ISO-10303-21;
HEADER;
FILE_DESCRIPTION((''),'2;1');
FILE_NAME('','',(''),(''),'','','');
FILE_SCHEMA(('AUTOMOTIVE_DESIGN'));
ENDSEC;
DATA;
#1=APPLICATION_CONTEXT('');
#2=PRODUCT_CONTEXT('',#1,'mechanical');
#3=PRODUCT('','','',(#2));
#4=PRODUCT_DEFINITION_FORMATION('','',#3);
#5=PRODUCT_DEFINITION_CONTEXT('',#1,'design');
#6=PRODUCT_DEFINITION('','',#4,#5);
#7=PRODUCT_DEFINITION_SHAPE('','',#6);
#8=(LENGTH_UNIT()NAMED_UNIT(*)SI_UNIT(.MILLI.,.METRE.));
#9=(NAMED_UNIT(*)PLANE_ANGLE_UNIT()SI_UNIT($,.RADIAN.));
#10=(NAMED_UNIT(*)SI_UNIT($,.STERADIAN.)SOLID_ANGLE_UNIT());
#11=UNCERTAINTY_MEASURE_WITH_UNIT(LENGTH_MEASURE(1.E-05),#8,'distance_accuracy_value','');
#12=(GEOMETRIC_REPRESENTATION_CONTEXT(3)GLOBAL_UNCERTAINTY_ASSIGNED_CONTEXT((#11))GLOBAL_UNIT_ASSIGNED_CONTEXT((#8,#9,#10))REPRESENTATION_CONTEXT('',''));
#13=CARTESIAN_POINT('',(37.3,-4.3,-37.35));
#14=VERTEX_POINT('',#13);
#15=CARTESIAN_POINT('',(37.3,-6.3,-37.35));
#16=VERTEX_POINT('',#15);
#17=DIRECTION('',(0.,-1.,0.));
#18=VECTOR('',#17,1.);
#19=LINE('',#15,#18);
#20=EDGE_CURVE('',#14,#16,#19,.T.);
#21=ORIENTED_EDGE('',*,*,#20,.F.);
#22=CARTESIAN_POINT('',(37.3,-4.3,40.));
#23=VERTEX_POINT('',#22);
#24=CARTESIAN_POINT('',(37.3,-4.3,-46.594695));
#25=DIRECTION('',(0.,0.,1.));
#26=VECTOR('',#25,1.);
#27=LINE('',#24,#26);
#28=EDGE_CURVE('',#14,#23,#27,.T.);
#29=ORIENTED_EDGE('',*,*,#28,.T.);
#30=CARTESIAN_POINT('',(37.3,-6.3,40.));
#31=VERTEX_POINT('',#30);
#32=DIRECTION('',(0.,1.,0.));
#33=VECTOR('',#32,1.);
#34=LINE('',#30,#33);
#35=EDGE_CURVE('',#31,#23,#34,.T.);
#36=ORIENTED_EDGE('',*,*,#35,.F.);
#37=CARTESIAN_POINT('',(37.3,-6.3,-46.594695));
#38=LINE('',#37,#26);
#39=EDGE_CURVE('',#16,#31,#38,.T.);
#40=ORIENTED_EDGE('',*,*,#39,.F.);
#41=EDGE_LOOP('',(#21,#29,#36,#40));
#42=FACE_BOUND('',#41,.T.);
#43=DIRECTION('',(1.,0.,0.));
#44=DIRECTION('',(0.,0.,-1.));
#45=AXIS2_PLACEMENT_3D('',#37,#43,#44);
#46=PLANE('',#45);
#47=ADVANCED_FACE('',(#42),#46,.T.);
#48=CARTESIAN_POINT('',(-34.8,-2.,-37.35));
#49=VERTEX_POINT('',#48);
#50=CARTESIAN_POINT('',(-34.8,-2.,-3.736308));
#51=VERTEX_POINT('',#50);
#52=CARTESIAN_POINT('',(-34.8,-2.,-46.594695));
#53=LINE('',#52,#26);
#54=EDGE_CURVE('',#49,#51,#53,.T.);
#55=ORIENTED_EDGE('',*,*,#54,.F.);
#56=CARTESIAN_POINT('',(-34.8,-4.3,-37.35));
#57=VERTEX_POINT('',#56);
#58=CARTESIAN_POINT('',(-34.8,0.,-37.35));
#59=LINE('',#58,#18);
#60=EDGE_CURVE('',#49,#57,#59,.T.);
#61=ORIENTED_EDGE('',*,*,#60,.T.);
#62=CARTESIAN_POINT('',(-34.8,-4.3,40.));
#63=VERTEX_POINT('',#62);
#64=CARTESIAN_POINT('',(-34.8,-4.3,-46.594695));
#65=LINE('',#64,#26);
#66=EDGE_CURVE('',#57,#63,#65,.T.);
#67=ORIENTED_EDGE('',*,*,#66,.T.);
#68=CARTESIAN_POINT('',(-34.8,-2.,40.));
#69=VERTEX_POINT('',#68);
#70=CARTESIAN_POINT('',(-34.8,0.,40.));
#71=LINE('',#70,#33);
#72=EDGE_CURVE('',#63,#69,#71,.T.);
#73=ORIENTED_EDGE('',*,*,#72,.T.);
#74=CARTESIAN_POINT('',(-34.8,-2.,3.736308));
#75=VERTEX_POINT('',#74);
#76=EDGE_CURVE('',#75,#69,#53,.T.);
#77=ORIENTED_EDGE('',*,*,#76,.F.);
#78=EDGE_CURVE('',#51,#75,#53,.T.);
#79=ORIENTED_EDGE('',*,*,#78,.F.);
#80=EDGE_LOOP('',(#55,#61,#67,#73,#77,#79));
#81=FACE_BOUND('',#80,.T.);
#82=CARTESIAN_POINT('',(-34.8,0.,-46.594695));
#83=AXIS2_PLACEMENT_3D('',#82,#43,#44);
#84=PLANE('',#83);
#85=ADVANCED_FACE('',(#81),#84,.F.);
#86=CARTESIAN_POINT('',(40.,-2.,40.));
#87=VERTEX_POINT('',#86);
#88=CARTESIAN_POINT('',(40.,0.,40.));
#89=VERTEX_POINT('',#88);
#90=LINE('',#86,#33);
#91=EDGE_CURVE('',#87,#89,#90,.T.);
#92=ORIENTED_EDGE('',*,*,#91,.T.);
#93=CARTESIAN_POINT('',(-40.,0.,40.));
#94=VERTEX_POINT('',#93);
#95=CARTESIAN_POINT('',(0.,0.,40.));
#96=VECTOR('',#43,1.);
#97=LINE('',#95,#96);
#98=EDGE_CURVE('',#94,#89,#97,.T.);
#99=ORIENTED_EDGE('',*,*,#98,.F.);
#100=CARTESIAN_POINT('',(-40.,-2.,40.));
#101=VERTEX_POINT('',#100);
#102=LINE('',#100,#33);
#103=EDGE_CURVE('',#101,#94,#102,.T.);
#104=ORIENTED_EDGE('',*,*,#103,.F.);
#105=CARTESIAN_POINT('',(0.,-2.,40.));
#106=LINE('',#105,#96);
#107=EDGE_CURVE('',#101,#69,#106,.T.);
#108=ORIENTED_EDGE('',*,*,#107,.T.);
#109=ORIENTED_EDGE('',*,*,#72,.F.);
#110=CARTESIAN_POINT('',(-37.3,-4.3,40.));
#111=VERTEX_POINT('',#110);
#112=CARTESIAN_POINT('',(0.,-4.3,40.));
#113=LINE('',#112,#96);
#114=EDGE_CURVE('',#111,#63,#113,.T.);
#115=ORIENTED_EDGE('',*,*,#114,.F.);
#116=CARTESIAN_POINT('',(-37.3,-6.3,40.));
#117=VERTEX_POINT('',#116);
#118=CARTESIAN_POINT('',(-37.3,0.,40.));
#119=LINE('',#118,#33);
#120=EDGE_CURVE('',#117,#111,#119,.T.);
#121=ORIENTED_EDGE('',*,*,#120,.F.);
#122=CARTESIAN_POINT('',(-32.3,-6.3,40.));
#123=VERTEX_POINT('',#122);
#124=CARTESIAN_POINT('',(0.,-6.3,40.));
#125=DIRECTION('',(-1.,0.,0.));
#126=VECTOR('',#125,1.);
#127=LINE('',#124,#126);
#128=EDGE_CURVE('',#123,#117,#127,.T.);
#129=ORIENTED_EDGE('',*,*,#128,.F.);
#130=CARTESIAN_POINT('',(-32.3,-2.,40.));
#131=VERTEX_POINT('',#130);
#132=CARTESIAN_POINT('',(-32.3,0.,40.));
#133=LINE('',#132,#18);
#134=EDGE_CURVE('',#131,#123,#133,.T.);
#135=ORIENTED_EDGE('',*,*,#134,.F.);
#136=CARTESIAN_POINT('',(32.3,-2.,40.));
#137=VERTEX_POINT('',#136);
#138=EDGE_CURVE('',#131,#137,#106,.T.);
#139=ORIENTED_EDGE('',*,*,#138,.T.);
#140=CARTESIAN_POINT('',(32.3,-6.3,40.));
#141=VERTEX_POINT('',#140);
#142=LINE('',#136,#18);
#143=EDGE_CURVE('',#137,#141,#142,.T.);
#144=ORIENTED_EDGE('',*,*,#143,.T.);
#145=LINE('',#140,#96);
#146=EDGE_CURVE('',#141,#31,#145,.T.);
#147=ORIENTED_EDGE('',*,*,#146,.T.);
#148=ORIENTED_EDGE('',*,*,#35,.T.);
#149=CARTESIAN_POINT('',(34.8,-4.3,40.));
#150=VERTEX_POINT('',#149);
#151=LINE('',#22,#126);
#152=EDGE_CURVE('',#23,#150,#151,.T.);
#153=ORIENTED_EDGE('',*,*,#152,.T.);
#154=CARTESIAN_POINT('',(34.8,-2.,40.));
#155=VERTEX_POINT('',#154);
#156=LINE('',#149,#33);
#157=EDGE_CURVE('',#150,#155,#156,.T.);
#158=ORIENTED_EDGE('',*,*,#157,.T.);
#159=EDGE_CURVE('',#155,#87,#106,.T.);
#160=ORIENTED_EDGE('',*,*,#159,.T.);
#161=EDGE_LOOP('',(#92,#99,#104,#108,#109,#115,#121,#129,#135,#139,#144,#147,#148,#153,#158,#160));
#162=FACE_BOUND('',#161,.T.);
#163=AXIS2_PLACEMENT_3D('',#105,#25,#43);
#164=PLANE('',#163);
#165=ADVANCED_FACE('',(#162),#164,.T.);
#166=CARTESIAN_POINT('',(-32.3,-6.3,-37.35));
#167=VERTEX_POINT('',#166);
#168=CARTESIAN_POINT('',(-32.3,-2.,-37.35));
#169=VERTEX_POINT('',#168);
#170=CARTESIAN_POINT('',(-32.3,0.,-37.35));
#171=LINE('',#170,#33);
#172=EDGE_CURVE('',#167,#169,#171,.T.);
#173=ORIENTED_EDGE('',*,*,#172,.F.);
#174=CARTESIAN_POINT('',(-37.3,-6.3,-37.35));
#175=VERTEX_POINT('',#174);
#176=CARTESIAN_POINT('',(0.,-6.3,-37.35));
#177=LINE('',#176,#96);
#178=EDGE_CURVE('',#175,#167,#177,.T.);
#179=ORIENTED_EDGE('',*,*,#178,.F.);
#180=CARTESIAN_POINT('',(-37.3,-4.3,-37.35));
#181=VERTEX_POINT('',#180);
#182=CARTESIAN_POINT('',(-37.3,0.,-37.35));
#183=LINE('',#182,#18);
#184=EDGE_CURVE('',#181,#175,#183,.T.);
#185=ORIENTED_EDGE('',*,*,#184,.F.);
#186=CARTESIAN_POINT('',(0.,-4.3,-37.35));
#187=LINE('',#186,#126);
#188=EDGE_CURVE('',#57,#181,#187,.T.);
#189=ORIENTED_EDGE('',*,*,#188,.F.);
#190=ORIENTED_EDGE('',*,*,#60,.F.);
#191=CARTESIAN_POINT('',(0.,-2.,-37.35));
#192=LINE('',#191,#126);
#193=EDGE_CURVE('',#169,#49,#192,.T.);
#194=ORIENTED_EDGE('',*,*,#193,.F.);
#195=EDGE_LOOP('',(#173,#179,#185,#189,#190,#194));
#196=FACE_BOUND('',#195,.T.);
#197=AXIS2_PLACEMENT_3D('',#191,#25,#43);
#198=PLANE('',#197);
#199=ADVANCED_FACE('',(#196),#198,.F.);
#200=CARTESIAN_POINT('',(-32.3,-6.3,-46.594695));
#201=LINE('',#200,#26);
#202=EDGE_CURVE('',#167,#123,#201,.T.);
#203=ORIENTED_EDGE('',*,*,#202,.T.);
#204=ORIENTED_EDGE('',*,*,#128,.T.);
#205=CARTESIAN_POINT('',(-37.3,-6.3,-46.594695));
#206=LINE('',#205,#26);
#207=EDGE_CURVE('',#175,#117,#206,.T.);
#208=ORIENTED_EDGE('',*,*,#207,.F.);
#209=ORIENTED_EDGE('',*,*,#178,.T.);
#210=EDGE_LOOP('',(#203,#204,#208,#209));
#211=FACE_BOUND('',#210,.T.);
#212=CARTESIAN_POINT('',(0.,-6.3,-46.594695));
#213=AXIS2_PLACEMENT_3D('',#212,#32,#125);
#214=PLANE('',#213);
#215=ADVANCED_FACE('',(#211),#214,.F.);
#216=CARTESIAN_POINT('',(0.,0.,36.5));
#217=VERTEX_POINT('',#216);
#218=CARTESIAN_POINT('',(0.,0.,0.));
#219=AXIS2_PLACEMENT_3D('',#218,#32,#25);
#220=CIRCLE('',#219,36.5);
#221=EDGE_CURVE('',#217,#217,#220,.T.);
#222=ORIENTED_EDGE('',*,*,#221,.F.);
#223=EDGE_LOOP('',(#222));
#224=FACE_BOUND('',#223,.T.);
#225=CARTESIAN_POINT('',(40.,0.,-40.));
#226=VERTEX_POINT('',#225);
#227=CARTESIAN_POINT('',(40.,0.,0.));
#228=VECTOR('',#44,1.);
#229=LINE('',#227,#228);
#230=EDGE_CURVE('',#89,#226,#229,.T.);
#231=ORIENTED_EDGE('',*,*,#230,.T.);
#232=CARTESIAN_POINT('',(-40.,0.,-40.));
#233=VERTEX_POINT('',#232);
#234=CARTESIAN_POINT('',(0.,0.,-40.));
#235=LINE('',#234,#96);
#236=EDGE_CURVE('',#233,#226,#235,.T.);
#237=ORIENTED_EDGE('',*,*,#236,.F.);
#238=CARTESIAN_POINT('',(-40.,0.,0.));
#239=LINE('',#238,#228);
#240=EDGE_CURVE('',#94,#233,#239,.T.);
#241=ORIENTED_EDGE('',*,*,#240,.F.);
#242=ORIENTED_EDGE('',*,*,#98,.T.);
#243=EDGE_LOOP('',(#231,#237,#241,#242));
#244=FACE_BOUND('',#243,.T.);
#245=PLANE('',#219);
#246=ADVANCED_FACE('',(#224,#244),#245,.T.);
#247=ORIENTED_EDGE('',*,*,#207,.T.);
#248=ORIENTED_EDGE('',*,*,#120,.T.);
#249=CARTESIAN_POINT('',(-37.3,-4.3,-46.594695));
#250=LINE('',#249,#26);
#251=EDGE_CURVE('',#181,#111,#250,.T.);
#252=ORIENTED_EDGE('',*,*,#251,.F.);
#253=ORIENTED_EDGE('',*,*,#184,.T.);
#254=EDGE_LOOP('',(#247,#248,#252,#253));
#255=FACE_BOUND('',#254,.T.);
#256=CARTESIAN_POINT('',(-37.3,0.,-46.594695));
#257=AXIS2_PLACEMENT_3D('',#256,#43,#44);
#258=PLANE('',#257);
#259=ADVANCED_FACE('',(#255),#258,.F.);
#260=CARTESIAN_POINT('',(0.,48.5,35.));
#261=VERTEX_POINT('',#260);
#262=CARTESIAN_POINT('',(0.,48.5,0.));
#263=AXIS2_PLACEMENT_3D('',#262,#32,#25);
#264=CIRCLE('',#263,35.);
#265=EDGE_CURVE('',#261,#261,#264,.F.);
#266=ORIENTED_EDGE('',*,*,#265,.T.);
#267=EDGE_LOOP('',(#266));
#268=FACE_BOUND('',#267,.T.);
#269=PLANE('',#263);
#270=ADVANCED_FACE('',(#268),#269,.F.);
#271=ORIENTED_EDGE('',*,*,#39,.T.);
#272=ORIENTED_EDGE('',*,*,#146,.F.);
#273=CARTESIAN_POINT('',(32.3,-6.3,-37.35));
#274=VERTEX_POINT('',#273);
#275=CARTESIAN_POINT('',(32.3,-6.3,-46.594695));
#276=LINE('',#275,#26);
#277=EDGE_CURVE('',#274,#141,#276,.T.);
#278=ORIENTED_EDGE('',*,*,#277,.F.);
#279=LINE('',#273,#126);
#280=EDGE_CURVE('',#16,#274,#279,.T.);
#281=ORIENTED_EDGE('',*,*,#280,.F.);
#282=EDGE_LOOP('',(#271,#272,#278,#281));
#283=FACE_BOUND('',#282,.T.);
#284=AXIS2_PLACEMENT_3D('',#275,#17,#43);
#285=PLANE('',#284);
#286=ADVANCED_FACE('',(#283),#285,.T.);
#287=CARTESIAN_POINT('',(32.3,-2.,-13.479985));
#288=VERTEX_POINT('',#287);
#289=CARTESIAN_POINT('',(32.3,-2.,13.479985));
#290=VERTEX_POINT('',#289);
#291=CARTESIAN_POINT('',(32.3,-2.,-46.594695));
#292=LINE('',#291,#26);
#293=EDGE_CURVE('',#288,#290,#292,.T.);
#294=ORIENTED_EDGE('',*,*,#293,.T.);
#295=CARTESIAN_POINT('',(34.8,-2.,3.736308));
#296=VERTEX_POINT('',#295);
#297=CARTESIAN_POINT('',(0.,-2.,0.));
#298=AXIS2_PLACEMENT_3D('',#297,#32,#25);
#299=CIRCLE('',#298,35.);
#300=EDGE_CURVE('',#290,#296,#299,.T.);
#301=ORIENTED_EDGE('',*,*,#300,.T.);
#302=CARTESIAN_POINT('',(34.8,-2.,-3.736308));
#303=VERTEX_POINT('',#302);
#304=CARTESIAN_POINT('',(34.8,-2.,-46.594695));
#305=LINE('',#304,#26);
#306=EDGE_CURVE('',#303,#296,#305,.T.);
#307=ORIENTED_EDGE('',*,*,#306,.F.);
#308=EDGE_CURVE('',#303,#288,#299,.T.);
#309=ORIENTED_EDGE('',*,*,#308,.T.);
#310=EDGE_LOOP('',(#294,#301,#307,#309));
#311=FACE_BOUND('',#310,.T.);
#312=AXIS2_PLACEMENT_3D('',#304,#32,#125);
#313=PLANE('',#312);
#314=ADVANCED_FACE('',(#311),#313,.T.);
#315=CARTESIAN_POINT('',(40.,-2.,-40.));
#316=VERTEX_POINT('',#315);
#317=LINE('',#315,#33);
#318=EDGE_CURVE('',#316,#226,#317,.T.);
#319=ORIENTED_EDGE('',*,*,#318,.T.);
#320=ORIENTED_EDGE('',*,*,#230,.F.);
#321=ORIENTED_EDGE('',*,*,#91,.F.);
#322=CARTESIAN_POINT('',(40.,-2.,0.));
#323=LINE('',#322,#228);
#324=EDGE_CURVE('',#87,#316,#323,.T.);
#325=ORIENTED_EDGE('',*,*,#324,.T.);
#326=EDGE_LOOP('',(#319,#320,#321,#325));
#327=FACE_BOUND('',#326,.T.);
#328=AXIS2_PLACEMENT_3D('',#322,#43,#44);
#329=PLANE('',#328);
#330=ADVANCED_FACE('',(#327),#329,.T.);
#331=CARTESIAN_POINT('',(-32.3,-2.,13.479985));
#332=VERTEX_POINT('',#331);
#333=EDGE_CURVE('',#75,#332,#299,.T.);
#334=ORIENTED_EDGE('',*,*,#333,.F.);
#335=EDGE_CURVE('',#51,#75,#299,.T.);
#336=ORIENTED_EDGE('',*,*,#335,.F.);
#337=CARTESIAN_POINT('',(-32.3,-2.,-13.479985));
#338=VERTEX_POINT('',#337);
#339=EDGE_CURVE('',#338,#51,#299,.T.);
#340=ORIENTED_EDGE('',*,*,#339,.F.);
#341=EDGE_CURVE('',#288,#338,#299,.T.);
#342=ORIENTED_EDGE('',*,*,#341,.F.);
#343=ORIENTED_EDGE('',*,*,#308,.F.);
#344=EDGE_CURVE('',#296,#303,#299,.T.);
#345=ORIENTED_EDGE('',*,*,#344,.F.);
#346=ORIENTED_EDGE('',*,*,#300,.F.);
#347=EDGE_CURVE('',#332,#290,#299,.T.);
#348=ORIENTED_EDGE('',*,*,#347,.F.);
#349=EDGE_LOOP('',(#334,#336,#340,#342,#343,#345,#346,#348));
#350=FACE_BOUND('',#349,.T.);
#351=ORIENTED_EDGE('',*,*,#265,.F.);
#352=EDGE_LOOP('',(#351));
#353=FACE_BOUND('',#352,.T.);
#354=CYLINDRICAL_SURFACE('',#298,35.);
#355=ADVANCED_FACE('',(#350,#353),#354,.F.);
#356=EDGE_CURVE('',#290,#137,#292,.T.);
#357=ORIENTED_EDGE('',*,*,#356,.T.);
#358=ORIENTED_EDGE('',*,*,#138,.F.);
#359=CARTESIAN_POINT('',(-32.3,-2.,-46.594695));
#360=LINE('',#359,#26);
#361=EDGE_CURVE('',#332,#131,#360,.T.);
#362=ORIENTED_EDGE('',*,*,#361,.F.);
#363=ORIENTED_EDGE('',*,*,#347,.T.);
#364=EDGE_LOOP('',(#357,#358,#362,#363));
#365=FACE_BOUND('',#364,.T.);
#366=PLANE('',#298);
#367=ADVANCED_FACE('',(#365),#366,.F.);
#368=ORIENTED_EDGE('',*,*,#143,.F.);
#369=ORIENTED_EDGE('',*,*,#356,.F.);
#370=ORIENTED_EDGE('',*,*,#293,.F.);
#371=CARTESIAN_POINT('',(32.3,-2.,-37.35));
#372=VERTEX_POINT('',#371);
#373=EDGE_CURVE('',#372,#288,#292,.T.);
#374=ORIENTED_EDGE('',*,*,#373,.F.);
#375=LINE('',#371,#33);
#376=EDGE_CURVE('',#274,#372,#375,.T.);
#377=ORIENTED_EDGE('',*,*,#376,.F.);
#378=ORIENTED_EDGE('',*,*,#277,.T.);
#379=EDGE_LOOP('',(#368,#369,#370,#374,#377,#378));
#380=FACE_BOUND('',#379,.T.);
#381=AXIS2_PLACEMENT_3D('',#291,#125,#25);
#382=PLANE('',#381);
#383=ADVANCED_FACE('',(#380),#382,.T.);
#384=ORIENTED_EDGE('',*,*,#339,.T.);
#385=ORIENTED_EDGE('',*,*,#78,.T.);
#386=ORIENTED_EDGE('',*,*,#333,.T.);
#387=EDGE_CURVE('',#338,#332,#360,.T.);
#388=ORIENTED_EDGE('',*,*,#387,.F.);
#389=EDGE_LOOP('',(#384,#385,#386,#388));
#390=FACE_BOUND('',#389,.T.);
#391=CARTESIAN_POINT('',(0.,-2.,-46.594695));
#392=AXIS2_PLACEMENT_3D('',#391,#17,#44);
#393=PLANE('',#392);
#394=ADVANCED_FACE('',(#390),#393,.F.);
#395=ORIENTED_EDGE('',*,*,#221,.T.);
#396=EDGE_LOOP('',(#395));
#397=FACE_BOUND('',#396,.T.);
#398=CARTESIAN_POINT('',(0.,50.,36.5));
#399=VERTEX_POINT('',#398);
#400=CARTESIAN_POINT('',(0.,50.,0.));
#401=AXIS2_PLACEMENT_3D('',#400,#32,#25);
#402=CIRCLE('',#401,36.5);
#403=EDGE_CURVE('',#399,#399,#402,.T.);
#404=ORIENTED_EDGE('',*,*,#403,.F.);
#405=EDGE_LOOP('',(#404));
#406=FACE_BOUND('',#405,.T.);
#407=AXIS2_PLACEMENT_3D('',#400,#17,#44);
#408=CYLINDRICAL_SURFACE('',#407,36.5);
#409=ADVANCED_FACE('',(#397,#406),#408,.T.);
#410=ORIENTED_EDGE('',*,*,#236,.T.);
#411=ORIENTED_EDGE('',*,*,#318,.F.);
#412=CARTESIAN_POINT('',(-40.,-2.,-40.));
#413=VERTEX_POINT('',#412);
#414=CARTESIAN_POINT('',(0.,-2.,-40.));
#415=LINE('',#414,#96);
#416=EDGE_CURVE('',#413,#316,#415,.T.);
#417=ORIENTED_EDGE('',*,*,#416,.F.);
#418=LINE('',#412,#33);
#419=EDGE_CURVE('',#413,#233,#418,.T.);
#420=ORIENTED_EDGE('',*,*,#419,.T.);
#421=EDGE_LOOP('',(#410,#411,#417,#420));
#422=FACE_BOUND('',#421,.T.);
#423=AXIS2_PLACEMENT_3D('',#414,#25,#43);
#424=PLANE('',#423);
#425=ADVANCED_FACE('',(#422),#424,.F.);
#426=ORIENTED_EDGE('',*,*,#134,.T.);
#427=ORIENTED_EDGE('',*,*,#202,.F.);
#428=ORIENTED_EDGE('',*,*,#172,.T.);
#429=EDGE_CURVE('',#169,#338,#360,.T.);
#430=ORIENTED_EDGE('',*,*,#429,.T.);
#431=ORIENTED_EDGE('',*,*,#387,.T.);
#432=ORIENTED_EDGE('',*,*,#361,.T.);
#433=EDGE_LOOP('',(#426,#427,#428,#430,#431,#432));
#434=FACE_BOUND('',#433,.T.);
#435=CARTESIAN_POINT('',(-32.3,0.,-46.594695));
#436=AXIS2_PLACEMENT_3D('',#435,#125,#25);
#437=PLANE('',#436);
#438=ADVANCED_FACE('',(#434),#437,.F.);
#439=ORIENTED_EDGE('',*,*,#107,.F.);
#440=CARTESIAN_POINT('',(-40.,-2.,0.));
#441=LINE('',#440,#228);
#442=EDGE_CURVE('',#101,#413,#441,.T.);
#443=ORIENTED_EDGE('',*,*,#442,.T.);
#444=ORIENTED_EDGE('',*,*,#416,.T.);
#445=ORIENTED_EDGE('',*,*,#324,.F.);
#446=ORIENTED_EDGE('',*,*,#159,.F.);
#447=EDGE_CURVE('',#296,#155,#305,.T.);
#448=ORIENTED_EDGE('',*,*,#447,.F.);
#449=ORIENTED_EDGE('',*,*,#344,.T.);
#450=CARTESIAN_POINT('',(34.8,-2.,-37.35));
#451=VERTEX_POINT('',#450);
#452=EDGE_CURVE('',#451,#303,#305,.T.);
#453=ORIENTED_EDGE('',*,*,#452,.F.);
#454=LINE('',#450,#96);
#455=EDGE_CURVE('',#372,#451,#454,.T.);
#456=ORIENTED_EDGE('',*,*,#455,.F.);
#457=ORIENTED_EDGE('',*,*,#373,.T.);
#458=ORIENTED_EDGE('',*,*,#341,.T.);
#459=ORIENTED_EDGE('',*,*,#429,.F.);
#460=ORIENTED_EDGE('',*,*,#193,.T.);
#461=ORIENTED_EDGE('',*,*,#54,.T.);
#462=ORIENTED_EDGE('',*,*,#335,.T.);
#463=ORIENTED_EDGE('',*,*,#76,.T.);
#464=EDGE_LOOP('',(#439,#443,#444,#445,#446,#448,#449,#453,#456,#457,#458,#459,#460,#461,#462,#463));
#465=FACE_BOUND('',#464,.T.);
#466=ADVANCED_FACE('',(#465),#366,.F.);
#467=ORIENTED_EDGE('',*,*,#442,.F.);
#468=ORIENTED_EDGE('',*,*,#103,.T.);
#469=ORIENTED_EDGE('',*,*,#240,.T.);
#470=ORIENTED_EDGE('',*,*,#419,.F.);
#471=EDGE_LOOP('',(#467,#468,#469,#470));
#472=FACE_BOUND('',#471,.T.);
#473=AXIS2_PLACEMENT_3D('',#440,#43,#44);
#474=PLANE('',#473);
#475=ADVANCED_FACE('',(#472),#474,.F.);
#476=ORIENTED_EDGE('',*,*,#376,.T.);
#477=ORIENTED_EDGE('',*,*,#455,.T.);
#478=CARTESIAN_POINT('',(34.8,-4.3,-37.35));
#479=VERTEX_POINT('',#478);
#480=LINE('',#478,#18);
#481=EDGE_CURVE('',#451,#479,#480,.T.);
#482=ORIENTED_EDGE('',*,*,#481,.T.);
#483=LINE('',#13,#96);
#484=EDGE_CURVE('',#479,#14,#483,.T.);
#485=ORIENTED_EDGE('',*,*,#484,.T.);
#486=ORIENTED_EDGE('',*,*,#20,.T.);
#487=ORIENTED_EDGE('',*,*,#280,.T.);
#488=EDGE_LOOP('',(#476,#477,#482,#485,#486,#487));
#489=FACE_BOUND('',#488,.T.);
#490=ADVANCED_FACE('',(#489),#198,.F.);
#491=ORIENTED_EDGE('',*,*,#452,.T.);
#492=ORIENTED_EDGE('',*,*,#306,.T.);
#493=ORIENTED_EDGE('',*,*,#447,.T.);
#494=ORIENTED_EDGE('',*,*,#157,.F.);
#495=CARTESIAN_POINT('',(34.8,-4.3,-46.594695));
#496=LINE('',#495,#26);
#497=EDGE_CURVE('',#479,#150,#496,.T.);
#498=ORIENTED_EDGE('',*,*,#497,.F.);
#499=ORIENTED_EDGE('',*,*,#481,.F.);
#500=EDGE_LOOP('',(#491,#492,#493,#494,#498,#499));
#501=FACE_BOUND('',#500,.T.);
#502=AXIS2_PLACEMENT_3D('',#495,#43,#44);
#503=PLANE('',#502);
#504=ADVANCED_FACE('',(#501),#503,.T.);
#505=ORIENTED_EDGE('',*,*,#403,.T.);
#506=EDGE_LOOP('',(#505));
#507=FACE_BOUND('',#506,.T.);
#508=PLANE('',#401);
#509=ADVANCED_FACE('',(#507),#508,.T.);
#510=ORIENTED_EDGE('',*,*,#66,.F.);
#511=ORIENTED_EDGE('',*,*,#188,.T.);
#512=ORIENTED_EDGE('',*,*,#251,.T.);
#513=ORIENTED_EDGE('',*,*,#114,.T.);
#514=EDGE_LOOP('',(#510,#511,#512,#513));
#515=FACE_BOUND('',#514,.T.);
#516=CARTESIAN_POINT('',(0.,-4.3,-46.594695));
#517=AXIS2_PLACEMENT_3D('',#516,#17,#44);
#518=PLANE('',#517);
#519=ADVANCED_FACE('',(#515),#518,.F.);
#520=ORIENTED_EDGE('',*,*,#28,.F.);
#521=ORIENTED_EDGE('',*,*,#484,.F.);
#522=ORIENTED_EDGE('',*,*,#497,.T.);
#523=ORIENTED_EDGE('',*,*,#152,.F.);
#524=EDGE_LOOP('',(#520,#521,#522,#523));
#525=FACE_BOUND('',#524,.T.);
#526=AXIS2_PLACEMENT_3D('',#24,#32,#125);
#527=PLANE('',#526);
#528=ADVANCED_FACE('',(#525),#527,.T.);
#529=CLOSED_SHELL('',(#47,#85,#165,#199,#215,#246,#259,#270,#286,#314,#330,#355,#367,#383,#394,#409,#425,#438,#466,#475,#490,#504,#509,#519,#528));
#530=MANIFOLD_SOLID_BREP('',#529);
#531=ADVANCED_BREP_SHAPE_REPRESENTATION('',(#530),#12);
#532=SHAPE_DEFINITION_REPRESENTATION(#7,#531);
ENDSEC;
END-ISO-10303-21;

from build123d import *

# Parameters (mm, degrees)
SKETCH1_W           = 80
SKETCH1_H           = 80
SKETCH1_R           = 36.5
SKETCH1_R_2         = 35
BOSS_EXTRUDE3_DEPTH = 2
BOSS_EXTRUDE4_START = 50
SKETCH1_7_R         = 36.5
SKETCH1_7_R_2       = 35
BOSS_EXTRUDE4_DEPTH = 50
BOSS_EXTRUDE5_DEPTH = 77.35
SKETCH4_R           = 36
BOSS_EXTRUDE6_DEPTH = 1.5


with BuildPart() as part:
    # Sketch1 → Boss-Extrude3 (new body)
    # profile 1 of 2: a face of its own
    with BuildSketch(Plane(origin=(0, 0, 0), x_dir=(1, 0, 0), z_dir=(0, 1, 0))):
        Rectangle(SKETCH1_W, SKETCH1_H)
        Circle(SKETCH1_R, mode=Mode.SUBTRACT)
    # profile 2 of 2: a face of its own
    with BuildSketch(Plane(origin=(0, 0, 0), x_dir=(1, 0, 0), z_dir=(0, 1, 0))):
        Circle(SKETCH1_R)
        with Locations(Location((0, 0, 0), (0, 0, 270))):
            Circle(SKETCH1_R_2, mode=Mode.SUBTRACT)
    extrude(amount=-BOSS_EXTRUDE3_DEPTH)

    # Sketch1<7> → Boss-Extrude4 (add)
    with BuildSketch(Plane(origin=(0, 0, 0), x_dir=(1, 0, 0), z_dir=(0, 1, 0)).offset(BOSS_EXTRUDE4_START)):
        with Locations(Location((0, 0, 0), (0, 0, 270))):
            Circle(SKETCH1_7_R)
        with Locations(Location((0, 0, 0), (0, 0, 270))):
            Circle(SKETCH1_7_R_2, mode=Mode.SUBTRACT)
    extrude(amount=-BOSS_EXTRUDE4_DEPTH)

    # Sketch3 → Boss-Extrude5 (add)
    with BuildSketch(Plane.XY.offset(40)):
        Polygon((-32.3, -2), (-34.8, -2), (-34.8, -4.3), (-37.3, -4.3), (-37.3, -6.3), (-32.3, -6.3), align=None)
        Polygon((32.3, -6.3), (37.3, -6.3), (37.3, -4.3), (34.8, -4.3), (34.8, -2), (32.3, -2), align=None)
    extrude(amount=-BOSS_EXTRUDE5_DEPTH)

    # Sketch4 → Boss-Extrude6 (add)
    with BuildSketch(Plane(origin=(0, 50, 0), x_dir=(1, 0, 0), z_dir=(0, 1, 0))):
        Circle(SKETCH4_R)
    extrude(amount=-BOSS_EXTRUDE6_DEPTH)


solid = part.part
